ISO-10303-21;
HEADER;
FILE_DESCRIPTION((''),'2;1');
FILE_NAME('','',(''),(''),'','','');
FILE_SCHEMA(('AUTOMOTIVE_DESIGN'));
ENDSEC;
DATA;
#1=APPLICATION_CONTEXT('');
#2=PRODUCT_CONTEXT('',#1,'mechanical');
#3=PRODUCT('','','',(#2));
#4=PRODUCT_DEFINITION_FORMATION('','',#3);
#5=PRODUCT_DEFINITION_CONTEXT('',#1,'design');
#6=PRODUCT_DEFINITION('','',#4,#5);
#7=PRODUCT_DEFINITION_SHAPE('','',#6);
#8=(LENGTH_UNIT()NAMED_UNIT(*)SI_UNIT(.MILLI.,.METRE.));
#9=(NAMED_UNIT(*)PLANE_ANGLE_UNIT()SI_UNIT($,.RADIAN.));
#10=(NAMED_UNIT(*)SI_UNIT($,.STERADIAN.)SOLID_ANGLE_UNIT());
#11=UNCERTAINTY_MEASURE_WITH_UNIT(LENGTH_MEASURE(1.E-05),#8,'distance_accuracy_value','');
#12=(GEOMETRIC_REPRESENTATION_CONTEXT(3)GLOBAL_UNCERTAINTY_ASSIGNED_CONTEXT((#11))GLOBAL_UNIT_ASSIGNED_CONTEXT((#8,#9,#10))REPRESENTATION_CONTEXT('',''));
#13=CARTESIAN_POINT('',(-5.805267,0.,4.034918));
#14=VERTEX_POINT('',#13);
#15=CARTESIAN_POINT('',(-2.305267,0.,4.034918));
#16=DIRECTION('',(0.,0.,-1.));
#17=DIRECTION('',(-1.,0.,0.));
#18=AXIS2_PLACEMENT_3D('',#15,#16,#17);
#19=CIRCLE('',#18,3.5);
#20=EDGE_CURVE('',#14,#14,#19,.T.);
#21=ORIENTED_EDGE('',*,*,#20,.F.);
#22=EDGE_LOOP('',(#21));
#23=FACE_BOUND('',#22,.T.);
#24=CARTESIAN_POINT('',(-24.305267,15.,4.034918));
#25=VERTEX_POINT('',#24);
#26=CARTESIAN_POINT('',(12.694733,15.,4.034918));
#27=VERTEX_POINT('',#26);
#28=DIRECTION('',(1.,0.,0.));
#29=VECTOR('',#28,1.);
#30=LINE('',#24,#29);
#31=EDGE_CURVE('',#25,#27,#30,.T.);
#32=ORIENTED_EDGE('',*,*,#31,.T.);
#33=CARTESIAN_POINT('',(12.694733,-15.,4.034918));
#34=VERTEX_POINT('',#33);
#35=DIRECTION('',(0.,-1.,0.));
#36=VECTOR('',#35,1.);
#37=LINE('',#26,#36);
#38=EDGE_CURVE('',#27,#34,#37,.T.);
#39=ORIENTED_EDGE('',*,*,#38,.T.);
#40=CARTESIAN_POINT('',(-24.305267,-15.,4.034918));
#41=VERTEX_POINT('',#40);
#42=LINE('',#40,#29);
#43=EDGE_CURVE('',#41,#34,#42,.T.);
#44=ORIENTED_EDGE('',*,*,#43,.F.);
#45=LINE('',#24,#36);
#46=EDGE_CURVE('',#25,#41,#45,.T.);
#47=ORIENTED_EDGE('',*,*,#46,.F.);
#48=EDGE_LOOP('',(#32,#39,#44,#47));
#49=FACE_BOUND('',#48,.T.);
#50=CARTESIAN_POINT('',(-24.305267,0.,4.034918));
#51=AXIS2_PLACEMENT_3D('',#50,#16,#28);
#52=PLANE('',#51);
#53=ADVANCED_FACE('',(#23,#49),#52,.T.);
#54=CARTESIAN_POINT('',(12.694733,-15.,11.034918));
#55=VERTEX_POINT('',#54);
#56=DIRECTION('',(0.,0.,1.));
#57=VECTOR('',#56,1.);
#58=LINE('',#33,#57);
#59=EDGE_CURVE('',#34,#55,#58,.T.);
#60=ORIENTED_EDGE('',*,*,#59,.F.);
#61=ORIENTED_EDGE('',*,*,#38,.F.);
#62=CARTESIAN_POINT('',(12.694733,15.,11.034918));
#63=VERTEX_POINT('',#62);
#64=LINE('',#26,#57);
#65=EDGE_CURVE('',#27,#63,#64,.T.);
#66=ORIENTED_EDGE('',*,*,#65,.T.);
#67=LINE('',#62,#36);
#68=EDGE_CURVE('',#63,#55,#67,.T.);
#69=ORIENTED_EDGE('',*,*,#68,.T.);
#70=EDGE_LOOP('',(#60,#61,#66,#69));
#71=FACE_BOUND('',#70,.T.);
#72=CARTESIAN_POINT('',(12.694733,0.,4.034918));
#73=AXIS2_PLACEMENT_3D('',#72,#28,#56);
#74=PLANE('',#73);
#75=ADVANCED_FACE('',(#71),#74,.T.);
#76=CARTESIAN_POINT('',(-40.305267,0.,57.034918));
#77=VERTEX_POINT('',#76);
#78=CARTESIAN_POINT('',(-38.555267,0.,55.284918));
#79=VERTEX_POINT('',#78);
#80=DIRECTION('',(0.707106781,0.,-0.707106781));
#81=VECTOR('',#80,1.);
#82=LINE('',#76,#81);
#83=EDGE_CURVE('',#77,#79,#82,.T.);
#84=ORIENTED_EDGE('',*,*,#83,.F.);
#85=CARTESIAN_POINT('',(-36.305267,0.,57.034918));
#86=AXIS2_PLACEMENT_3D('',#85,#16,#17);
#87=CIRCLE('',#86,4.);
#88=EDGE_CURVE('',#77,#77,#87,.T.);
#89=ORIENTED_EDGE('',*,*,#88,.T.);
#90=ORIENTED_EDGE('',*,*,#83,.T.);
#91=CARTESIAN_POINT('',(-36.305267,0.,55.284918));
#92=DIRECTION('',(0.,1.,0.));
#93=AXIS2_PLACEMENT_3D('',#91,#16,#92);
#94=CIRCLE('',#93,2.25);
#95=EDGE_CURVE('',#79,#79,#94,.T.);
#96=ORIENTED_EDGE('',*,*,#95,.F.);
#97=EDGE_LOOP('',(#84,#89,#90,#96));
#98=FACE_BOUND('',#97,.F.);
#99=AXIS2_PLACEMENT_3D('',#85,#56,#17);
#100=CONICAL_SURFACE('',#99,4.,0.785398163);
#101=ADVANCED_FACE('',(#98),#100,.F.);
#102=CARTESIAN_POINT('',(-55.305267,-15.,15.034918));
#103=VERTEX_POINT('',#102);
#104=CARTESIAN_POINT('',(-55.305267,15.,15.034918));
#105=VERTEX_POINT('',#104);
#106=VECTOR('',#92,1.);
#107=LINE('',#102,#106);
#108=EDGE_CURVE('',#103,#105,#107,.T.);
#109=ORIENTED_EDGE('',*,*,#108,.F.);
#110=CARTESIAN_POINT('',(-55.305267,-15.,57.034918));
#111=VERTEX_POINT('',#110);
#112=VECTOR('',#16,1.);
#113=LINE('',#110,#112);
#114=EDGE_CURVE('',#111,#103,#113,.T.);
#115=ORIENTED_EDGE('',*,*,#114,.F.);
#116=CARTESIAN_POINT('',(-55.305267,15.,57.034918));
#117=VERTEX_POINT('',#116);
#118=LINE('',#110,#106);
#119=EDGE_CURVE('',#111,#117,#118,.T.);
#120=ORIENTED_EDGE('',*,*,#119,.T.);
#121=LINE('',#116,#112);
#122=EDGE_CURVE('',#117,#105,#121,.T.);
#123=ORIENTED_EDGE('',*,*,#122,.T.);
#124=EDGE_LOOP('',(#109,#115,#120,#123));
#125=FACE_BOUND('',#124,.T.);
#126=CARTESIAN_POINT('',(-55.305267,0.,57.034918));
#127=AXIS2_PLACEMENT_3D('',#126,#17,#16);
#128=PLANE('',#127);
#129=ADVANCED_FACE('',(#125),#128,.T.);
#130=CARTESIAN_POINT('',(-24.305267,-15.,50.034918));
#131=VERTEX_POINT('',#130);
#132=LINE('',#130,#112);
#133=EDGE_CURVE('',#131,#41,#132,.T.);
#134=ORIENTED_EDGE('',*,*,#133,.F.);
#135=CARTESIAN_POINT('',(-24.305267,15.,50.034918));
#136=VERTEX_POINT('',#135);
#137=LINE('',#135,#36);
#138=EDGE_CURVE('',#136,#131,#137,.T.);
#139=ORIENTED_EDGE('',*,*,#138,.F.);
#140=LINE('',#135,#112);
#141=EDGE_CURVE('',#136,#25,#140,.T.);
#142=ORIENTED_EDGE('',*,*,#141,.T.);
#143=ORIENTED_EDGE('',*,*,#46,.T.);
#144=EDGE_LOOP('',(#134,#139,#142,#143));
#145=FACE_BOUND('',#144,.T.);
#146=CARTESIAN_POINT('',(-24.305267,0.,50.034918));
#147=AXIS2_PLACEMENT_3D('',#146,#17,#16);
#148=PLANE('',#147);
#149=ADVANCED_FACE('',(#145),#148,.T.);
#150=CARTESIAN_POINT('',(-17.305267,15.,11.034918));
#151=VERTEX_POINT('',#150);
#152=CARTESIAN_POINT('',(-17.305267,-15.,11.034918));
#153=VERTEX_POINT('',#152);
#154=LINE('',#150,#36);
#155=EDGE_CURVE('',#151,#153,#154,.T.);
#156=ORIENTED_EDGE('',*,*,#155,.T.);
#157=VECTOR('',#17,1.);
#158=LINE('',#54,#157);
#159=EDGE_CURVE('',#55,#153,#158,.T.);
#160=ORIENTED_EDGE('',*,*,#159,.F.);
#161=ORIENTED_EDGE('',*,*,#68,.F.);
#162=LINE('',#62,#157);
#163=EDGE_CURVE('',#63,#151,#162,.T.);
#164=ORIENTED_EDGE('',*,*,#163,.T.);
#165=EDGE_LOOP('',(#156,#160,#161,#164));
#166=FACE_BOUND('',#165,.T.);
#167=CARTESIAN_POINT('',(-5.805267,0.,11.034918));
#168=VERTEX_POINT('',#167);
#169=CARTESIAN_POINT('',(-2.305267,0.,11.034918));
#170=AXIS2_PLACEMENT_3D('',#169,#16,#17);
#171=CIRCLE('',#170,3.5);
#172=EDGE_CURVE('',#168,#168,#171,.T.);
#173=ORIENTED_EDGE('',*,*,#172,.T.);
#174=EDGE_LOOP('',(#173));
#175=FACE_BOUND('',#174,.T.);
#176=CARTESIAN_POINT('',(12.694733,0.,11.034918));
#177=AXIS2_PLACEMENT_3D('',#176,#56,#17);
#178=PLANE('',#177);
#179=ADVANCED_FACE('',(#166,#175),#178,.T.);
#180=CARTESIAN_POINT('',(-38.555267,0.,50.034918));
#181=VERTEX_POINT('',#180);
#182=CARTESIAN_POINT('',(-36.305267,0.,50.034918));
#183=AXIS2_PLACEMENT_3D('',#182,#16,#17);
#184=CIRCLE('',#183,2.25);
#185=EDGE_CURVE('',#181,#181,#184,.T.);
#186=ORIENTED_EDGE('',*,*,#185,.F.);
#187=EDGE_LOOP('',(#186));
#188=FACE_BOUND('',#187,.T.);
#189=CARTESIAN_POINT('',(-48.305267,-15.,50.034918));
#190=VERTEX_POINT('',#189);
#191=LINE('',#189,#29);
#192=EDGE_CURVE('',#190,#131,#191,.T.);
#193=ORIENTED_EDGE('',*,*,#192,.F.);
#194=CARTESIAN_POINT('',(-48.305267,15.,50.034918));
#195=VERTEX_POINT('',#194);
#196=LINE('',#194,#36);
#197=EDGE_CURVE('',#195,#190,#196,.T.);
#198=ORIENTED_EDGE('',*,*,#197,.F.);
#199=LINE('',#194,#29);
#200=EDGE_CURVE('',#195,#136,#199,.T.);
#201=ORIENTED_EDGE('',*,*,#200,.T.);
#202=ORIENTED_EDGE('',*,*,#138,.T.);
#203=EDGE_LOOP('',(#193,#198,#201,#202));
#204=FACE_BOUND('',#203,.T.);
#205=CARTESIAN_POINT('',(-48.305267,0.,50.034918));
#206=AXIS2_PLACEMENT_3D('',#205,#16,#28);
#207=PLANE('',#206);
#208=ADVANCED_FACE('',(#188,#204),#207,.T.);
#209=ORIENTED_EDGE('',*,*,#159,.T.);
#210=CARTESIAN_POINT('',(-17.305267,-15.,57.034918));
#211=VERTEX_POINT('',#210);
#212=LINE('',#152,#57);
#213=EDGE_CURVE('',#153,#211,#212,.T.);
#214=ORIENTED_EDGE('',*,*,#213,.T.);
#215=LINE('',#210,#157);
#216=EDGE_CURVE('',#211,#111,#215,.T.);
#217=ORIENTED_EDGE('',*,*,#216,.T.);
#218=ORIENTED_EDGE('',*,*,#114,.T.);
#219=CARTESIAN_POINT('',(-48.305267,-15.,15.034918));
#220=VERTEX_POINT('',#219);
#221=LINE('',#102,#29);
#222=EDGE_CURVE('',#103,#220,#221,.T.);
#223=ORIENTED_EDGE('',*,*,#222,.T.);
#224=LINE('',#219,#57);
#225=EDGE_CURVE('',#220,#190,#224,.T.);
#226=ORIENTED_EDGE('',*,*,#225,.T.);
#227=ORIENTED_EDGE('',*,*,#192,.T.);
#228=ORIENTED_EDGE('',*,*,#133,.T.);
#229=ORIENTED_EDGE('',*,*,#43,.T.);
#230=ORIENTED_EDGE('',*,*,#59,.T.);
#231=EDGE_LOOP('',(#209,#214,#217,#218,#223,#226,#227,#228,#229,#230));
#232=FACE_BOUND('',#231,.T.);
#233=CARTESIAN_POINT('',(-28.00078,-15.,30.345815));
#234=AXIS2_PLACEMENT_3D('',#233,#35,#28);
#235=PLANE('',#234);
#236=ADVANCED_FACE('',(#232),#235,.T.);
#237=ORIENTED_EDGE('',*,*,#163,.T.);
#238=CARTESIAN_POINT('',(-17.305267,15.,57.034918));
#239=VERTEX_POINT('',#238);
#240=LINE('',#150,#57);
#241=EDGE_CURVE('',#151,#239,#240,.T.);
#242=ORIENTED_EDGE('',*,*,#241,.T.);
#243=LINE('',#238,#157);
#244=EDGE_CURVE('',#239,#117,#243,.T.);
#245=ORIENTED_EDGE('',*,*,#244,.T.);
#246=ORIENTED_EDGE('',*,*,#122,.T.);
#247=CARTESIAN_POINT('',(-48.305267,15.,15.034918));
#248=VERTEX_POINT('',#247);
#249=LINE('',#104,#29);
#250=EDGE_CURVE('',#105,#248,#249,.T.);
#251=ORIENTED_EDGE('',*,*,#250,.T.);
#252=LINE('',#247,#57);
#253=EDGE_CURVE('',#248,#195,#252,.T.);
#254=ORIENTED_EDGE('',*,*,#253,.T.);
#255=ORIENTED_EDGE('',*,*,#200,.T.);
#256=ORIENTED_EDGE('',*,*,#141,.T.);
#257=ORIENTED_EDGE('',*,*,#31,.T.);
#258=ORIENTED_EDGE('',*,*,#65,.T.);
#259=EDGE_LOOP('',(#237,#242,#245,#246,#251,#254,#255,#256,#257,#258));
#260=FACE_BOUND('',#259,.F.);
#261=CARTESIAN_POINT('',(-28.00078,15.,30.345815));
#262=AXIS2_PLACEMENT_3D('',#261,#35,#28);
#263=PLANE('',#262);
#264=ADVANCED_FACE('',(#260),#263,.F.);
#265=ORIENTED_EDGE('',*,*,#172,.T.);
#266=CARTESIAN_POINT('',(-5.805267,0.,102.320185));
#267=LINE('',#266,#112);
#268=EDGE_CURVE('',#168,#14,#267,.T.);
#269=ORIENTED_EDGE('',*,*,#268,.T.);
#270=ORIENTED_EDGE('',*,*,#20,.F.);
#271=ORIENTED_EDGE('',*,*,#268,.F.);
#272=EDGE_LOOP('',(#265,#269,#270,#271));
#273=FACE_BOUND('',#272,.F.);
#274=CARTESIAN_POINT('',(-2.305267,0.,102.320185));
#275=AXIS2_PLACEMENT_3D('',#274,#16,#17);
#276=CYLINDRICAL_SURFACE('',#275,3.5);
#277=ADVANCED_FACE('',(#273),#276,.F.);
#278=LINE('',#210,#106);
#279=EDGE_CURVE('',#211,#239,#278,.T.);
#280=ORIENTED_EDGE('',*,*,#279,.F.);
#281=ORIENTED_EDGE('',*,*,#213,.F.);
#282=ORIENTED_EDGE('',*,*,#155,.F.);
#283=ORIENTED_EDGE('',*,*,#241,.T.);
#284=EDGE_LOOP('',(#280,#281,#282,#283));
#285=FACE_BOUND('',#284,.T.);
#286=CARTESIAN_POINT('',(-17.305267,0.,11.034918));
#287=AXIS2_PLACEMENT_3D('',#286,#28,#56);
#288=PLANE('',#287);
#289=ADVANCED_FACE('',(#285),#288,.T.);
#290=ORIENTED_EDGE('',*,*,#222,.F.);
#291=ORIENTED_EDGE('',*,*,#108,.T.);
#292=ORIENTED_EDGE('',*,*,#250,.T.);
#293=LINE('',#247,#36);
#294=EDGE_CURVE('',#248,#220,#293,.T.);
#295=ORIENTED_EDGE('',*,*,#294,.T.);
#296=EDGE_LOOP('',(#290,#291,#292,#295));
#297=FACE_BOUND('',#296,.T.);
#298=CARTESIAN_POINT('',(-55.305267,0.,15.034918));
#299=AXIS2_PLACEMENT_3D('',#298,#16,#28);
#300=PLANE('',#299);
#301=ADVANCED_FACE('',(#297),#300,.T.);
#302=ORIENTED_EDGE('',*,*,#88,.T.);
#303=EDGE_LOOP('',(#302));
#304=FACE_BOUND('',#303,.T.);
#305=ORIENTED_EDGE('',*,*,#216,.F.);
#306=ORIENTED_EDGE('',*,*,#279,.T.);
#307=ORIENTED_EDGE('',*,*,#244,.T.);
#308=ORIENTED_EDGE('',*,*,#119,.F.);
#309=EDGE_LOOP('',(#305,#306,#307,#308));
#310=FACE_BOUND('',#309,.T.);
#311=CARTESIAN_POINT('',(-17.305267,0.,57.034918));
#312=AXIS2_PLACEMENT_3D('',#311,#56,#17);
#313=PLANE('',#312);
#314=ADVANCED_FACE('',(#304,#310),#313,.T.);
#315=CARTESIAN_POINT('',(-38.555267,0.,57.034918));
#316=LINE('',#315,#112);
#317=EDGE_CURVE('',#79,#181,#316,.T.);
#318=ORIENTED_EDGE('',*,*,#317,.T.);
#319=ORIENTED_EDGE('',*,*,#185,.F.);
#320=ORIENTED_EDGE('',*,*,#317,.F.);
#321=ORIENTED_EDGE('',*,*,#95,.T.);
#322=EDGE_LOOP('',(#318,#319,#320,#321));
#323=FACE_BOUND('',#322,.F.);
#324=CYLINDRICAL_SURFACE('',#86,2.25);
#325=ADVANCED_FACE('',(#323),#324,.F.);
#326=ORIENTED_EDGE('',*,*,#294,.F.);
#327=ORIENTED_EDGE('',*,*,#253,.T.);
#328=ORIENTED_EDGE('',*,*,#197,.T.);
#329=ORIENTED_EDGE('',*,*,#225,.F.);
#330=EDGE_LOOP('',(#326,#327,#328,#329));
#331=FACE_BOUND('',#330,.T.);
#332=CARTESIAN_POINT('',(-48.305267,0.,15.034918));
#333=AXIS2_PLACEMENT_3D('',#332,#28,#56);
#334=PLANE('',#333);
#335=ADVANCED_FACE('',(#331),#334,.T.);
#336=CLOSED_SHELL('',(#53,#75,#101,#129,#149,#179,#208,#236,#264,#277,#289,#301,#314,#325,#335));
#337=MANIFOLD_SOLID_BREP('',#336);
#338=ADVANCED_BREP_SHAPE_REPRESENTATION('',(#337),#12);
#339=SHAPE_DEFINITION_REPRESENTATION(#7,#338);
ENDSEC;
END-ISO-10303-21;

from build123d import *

# Parameters (mm, degrees)
F1_DEPTH       = 15
F3_D           = 7
F5_D           = 4.5
F5_CSINK_D     = 8
F5_CSINK_ANGLE = 90


with BuildPart() as f1:
    # F0 (on Front) → F1 (new body, symmetric)
    with BuildSketch(Plane.XZ):
        Polygon((-55.305267, 15.034918), (-48.305267, 15.034918), (-48.305267, 50.034918), (-24.305267, 50.034918), (-24.305267, 4.034918), (12.694733, 4.034918), (12.694733, 11.034918), (-17.305267, 11.034918), (-17.305267, 57.034918), (-55.305267, 57.034918), align=None)
    extrude(amount=F1_DEPTH, both=True)

    # F3 (through all)
    with Locations(Plane.XY.offset(11.034918)):
        with Locations((-2.305267, 0)):
            Hole(F3_D / 2)

    # F5 (through all)
    with Locations(Plane.XY.offset(57.034918)):
        with Locations((-36.305267, 0)):
            CounterSinkHole(F5_D / 2, F5_CSINK_D / 2, counter_sink_angle=F5_CSINK_ANGLE)


solid = f1.part
